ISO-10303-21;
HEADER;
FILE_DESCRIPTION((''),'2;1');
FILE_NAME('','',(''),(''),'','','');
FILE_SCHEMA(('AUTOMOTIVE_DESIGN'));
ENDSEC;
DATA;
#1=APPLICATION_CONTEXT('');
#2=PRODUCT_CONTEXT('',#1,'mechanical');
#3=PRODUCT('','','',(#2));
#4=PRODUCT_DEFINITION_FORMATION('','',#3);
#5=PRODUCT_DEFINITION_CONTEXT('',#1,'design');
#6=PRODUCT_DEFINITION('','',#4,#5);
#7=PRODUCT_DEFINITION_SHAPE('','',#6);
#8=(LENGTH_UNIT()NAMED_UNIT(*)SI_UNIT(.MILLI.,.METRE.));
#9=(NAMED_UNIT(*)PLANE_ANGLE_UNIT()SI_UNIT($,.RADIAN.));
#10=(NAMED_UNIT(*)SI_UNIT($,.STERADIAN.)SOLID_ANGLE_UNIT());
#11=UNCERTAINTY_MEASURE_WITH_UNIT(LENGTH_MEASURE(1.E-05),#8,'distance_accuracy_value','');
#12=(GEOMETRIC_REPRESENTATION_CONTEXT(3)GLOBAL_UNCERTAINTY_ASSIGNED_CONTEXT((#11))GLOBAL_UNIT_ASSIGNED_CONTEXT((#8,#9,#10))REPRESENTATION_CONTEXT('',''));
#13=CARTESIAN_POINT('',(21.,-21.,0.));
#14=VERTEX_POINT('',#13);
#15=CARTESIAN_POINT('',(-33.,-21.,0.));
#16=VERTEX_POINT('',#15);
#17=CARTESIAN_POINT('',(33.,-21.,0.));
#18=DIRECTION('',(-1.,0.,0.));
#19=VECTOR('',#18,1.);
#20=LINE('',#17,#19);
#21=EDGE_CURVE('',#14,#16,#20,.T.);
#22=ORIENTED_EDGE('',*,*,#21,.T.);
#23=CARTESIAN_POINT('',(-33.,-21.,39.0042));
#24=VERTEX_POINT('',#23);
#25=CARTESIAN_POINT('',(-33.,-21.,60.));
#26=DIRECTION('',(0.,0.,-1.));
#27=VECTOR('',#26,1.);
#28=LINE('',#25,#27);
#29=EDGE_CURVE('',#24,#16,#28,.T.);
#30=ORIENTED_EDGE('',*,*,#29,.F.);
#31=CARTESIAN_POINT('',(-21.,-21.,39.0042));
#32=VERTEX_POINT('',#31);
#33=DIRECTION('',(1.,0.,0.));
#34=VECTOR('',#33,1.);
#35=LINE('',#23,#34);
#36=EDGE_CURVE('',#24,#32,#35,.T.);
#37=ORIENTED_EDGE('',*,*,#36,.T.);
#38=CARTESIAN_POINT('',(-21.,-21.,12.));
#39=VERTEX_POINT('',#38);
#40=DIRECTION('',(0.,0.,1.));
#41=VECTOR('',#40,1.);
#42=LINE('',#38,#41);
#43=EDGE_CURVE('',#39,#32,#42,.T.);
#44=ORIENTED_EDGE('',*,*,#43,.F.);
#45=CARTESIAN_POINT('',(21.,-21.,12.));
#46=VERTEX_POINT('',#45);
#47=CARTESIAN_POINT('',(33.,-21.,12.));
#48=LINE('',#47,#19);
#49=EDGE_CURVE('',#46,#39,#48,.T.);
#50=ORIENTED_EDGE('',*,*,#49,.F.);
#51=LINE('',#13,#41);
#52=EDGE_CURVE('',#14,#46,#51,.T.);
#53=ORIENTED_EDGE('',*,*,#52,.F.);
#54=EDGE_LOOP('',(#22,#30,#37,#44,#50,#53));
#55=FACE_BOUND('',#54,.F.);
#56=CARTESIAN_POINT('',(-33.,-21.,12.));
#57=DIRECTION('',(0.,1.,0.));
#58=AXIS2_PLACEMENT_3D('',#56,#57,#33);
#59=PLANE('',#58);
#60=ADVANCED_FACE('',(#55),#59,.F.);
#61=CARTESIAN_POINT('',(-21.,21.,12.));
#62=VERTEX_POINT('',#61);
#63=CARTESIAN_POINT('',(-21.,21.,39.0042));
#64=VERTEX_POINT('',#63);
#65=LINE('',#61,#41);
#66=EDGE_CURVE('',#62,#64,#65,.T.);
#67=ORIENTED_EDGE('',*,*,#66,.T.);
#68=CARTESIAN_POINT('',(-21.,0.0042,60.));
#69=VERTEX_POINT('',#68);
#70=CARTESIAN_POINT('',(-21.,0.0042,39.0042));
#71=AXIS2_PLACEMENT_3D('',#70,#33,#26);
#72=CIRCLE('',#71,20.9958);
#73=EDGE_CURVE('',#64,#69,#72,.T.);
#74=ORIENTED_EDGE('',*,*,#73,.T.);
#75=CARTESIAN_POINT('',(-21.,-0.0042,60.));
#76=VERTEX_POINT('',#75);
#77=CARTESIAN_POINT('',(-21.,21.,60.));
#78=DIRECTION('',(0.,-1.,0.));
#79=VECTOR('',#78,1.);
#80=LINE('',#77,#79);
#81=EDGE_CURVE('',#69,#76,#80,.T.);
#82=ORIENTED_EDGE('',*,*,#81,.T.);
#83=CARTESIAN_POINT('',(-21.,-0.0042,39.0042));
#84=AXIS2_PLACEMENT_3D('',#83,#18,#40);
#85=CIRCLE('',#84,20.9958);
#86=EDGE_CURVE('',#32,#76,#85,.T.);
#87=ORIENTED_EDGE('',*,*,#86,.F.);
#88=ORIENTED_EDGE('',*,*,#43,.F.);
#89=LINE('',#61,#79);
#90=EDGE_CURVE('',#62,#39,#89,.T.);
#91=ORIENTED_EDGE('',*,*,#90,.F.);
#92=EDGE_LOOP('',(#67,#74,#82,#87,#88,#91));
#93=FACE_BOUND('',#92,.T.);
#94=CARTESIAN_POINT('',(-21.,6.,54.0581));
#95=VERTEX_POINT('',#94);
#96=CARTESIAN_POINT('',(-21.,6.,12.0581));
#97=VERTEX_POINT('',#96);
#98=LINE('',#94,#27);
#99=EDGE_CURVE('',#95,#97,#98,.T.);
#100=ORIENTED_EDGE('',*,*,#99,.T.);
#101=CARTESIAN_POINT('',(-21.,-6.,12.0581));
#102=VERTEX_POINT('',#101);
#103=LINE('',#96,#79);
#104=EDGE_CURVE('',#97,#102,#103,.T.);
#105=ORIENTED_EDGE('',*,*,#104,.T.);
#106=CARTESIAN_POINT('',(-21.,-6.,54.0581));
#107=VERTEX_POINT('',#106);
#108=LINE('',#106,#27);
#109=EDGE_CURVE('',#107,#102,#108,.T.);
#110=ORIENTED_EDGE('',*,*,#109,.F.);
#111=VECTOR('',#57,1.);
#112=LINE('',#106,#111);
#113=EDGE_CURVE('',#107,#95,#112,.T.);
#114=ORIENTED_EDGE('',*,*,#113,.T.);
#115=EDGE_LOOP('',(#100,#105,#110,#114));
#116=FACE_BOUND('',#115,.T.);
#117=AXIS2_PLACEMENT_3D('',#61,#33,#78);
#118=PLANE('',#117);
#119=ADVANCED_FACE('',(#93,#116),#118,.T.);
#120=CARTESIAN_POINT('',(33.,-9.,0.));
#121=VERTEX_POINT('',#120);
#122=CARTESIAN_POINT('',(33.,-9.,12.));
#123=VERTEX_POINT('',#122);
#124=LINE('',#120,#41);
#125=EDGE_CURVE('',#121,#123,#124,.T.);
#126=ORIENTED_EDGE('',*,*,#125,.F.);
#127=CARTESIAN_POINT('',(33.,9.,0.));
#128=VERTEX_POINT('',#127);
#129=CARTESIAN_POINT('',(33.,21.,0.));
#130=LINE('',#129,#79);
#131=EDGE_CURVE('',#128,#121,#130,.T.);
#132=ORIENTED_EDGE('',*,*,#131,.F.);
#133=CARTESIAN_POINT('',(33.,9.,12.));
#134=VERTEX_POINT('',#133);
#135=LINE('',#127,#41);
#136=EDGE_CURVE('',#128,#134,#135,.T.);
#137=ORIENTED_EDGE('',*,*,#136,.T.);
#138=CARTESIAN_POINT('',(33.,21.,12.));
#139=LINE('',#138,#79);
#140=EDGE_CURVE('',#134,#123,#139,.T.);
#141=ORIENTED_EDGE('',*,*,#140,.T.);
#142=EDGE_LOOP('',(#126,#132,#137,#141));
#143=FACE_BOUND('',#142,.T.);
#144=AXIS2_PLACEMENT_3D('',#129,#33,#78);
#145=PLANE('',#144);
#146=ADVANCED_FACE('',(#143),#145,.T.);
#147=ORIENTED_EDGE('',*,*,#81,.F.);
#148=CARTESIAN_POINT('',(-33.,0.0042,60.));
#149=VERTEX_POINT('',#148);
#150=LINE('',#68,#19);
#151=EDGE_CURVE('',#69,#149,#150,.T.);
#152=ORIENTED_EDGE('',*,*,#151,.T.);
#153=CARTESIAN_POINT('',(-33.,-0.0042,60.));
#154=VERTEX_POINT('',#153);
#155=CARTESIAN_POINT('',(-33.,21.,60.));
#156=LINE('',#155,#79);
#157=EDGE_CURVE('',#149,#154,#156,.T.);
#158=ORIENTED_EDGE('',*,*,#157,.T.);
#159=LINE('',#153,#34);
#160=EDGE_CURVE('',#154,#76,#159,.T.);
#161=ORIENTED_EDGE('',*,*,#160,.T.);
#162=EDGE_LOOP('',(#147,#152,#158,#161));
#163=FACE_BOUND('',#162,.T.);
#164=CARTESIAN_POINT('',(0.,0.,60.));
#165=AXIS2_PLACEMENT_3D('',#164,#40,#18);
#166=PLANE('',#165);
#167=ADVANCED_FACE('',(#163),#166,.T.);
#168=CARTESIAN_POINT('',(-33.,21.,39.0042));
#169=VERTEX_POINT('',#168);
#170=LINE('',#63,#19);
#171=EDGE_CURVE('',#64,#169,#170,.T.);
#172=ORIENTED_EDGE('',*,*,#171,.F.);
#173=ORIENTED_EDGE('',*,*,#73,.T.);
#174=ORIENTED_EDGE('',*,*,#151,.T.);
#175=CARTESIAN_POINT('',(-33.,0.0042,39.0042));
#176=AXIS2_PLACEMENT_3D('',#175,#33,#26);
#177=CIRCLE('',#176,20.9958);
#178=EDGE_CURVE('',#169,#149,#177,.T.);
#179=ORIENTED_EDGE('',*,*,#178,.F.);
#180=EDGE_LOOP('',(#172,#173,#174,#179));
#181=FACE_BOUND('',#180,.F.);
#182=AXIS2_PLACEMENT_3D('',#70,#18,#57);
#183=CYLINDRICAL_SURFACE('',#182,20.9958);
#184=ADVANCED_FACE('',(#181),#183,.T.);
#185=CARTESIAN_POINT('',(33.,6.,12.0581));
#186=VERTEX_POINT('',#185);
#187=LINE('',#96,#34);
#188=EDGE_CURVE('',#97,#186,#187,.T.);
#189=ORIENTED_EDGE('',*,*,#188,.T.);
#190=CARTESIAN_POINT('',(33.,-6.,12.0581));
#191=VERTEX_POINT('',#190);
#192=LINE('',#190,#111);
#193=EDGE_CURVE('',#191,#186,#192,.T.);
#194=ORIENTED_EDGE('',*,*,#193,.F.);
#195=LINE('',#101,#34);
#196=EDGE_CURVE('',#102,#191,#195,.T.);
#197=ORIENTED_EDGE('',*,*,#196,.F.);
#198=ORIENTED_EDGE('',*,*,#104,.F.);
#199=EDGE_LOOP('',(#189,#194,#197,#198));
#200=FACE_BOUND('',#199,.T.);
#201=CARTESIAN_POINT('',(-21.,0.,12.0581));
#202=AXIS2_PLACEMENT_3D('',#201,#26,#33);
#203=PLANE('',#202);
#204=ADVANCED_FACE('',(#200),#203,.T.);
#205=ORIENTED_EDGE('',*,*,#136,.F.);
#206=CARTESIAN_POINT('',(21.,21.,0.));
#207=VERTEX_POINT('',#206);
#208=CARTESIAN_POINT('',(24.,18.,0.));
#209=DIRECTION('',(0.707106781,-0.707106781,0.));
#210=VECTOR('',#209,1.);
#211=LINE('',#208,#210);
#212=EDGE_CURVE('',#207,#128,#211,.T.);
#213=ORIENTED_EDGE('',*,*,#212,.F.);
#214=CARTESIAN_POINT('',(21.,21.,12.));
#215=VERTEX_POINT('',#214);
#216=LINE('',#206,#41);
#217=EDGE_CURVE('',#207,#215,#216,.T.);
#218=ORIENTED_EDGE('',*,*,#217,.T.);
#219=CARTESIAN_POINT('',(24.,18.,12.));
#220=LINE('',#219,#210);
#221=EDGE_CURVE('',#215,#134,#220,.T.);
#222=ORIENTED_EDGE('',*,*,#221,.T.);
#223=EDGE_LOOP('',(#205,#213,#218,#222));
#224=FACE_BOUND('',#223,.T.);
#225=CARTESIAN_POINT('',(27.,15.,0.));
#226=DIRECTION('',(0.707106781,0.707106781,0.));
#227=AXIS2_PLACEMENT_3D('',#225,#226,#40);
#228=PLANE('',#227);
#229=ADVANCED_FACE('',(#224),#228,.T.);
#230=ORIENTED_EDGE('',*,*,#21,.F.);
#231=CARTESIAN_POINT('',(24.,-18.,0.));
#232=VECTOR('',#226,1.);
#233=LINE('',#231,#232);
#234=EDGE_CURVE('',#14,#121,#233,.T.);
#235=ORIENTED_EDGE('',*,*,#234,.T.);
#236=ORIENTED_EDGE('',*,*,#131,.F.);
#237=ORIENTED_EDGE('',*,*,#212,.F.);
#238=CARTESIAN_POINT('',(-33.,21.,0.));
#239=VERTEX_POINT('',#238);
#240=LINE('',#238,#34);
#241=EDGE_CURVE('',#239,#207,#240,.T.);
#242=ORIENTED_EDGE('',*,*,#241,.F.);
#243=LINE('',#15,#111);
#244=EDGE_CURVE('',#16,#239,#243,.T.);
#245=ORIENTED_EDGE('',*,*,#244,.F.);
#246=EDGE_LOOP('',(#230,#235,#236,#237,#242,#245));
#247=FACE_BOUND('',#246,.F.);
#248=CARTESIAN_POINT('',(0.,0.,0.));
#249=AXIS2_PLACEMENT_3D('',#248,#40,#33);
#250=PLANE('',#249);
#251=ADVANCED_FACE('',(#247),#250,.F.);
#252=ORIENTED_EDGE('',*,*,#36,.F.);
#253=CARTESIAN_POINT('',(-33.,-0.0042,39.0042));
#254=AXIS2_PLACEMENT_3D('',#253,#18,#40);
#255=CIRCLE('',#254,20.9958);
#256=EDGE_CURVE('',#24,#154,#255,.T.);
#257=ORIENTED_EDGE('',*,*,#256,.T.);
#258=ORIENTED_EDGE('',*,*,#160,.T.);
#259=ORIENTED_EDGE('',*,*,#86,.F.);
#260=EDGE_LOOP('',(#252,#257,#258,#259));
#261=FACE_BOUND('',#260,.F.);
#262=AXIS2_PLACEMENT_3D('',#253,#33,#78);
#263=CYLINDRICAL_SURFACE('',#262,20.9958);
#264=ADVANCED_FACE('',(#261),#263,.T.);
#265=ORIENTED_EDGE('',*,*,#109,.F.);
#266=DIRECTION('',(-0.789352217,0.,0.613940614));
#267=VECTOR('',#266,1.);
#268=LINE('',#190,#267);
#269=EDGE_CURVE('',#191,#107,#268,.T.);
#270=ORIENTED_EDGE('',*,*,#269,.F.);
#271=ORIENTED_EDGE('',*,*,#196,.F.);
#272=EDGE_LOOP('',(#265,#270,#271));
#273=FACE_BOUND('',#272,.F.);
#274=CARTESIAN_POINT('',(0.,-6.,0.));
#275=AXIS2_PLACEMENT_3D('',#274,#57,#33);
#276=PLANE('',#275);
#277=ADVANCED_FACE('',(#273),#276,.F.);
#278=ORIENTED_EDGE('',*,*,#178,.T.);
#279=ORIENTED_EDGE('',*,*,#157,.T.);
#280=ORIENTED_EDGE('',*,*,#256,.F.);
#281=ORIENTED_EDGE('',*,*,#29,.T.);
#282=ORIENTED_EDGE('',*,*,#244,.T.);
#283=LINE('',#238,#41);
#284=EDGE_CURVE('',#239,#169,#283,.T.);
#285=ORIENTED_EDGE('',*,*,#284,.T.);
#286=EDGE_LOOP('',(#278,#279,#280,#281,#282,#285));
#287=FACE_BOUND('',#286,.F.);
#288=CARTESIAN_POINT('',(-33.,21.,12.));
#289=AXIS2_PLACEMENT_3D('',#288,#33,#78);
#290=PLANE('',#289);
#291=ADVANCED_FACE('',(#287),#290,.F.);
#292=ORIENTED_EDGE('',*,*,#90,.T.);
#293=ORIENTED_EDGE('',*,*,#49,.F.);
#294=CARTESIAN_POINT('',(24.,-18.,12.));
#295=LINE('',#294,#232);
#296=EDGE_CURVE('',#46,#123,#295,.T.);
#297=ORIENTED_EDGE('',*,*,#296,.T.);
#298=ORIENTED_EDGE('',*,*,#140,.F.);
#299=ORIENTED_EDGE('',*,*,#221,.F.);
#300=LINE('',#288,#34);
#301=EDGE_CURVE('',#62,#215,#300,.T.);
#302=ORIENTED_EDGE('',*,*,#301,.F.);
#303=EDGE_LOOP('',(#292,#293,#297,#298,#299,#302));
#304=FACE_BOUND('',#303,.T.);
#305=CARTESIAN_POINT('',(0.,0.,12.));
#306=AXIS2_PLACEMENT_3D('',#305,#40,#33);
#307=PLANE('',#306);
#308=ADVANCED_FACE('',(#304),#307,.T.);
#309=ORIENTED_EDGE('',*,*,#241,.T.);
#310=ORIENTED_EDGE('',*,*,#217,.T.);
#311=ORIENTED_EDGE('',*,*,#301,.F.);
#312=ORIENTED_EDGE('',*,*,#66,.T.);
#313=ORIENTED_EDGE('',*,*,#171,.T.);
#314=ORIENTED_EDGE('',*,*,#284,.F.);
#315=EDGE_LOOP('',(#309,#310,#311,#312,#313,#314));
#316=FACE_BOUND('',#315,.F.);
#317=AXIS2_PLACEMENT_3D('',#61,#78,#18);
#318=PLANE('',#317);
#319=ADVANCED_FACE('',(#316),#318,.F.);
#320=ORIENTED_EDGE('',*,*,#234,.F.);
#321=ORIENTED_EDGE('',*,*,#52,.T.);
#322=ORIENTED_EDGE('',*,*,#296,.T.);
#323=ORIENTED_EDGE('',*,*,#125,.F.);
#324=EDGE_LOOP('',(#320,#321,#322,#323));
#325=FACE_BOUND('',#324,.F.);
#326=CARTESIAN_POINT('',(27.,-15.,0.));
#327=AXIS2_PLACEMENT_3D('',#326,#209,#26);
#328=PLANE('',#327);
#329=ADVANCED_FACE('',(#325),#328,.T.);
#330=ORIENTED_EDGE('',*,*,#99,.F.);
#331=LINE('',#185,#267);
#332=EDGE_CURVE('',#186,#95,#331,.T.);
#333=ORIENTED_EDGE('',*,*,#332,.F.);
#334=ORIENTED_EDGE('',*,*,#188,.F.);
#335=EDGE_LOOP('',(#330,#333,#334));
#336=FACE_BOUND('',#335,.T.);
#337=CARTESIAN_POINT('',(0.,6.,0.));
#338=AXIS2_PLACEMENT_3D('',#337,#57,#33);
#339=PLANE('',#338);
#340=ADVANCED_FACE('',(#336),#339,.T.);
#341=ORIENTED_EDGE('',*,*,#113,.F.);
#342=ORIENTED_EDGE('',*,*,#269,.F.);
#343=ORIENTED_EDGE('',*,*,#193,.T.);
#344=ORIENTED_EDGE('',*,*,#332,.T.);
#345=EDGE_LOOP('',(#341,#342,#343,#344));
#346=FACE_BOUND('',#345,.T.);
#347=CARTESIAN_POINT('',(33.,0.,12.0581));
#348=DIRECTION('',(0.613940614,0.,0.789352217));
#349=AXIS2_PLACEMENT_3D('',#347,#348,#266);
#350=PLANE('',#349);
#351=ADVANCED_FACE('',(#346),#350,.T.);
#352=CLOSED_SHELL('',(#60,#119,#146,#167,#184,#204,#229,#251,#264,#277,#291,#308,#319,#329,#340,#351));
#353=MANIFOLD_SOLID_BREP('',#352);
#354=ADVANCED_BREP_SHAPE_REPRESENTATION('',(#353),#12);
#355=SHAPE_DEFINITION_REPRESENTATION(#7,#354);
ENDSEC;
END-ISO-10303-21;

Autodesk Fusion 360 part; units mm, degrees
sketch "Sketch1" plane through (0, 0, 0) normal (0, 0, 1) x (1, 0, 0)
  line L0 (33, -21) -> (-33, -21)
  line L1 (-33, -21) -> (-33, 21)
  line L2 (-33, 21) -> (33, 21)
  line L3 (33, 21) -> (33, -21)
  line L4 (33, -21) -> (-33, 21) construction
  line L5 (-33, -21) -> (33, 21) construction
  dimension "d1" = 66
  dimension "d2" = 42
extrude "Extrude1" add sketch "Sketch1" along normal blind 12
chamfer "Chamfer1" distance 12 angle 45 2 edges at (33, -21, 6) (33, 21, 6)
sketch "Sketch2" plane through (0, 0, 12) normal (0, 0, 1) x (-1, 0, 0)
  line L0 (-33, -9) -> (-21, -21)
  line L1 (-21, -21) -> (33, -21)
  line L2 (33, -21) -> (33, 21)
  line L3 (33, 21) -> (-21, 21)
  line L4 (-21, 21) -> (-33, 9)
  line L5 (-33, 9) -> (-33, -9)
  line L6 (33, -21) -> (21, -21)
  line L7 (21, -21) -> (21, 21)
  line L8 (21, 21) -> (33, 21)
  line L9 (33, 21) -> (33, -21)
  dimension "d6" = 12
extrude "Extrude2" add sketch "Sketch2" along normal blind 48 contours L1 L2 L3 L6 L7 L8 L9
fillet "Fillet1" radius 21 2 edges at (-27, -21, 60) (-27, 21, 60)
sketch "Sketch3" plane through (0, 0, 0) normal (0, 1, 0) x (1, 0, 0)
  line L0 (-21, -54.0581) -> (-21, -12.0581)
  line L1 (-21, -12.0581) -> (33, -12.0581)
  line L2 (33, -12.0581) -> (-21, -54.0581)
  dimension "d11" = 42
  dimension "d12" = 54
extrude "Extrude3" add sketch "Sketch3" along normal mid plane 12
equation "d7 = 60 mm - 12 mm"
equation "d12 = 66 mm - 12 mm"
